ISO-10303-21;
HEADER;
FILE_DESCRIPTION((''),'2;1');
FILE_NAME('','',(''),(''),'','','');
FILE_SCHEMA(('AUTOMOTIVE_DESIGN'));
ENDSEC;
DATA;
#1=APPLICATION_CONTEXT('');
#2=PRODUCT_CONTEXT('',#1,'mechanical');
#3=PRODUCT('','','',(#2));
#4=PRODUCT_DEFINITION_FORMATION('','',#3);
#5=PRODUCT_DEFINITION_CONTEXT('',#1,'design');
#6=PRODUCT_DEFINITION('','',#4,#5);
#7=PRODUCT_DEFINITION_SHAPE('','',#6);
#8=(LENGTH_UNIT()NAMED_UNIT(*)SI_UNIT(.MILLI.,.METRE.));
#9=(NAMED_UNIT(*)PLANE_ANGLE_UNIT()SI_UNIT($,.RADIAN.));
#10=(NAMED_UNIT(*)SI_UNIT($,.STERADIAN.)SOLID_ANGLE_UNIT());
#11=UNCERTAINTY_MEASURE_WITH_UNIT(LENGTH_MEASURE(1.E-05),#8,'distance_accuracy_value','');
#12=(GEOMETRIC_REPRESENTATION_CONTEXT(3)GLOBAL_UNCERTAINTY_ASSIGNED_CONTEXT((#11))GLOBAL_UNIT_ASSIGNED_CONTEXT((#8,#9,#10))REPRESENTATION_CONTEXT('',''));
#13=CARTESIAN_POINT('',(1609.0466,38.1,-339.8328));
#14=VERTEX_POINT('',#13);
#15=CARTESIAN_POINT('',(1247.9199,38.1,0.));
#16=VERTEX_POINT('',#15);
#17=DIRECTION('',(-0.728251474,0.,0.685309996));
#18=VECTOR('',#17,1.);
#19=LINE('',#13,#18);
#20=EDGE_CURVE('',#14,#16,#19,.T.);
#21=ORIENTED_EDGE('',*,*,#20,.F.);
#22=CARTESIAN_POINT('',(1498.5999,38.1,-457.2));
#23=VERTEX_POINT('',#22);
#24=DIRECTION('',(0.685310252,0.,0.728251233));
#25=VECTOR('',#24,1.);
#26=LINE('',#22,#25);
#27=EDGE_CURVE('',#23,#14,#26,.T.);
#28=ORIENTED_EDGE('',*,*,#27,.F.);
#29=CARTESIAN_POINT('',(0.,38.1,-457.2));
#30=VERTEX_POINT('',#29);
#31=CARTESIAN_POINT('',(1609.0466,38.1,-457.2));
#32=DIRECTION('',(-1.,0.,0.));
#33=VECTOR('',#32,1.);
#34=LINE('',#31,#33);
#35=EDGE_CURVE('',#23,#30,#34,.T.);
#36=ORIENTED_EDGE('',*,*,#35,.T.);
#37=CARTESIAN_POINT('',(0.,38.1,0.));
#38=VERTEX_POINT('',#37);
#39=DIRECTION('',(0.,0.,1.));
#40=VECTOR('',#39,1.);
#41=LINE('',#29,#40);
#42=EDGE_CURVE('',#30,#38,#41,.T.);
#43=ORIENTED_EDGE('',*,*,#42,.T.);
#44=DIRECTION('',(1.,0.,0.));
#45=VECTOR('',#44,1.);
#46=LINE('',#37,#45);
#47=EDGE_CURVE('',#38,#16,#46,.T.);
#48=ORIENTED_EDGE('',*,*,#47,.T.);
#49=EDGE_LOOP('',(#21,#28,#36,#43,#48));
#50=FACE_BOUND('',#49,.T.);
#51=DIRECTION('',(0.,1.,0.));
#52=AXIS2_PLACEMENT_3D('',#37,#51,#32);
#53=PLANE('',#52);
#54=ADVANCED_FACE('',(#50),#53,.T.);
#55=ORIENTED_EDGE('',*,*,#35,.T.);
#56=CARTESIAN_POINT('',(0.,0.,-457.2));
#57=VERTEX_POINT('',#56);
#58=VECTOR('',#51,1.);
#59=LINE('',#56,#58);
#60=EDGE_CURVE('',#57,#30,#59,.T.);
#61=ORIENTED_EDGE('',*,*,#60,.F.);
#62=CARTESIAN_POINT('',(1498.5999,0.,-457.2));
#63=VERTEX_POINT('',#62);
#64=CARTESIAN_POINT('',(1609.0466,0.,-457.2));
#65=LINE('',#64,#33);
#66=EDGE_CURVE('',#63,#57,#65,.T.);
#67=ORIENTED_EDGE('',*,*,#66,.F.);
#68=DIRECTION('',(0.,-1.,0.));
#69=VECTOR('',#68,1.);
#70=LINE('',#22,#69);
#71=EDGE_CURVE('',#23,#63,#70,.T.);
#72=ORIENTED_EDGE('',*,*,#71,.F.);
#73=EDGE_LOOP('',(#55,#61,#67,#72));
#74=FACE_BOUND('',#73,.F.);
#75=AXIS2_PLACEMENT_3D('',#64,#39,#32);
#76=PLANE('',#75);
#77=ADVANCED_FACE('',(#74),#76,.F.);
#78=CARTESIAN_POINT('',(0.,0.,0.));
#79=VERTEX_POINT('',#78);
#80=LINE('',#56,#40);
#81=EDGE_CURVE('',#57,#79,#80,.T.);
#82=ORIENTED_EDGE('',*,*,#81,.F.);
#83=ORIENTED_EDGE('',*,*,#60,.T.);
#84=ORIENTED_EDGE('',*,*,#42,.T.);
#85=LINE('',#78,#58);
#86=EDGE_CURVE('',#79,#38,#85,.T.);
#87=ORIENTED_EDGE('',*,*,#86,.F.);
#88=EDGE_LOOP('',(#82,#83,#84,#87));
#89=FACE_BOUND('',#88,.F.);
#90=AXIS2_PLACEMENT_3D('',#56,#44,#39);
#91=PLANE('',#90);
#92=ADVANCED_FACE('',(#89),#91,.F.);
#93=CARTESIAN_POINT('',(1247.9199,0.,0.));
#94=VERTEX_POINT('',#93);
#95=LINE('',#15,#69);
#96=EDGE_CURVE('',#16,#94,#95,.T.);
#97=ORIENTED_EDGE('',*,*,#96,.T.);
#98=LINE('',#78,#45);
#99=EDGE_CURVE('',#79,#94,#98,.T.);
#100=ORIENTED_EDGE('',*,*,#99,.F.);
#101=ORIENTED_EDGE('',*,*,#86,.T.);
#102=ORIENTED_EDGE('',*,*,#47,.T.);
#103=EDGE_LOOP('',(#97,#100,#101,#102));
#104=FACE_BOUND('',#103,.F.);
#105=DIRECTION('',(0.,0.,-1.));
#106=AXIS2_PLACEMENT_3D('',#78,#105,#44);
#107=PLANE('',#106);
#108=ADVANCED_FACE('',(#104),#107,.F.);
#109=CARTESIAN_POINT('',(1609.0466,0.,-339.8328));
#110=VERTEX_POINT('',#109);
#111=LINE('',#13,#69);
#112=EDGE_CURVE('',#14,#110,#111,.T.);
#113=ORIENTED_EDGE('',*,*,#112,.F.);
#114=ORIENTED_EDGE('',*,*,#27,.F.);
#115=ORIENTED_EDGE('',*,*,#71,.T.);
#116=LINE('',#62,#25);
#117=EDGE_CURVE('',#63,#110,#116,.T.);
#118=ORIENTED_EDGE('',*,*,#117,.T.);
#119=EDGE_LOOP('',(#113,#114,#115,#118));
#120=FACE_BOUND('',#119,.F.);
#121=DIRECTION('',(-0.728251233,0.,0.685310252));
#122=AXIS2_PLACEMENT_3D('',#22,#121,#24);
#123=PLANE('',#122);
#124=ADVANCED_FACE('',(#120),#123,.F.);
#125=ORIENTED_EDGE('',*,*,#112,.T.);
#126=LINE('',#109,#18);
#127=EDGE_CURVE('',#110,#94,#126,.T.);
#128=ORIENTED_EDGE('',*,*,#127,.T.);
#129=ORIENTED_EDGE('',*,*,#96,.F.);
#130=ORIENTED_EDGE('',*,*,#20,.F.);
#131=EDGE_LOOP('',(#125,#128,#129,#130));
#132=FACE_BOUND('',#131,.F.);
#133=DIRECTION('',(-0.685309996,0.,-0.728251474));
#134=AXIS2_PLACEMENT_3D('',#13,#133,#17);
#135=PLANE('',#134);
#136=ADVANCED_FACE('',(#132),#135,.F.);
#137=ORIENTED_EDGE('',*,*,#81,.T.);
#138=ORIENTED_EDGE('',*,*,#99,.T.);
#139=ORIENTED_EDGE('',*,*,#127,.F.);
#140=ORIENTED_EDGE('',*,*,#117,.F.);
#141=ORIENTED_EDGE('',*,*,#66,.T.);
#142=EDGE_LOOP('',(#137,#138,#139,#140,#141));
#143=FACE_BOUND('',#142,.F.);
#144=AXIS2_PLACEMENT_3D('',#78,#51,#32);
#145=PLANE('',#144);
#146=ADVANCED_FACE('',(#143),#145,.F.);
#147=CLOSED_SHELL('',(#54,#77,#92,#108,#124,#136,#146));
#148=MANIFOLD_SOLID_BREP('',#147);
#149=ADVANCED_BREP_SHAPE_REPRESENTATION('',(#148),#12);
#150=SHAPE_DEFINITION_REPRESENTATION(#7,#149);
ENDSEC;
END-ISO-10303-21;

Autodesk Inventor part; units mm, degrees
ref_plane "YZ Plane" through (0, 0, 0) normal (1, 0, 0) x (0, 1, 0)
ref_plane "XZ Plane" through (0, 0, 0) normal (0, 1, 0) x (-1, 0, 0)
ref_plane "XY Plane" through (0, 0, 0) normal (0, 0, 1) x (1, 0, 0)
sketch "Sketch1" plane through (0, 0, 0) normal (0, 1, 0) x (-1, 0, 0)
  line L0 (0, 0) -> (-1609.0466, 0)
  line L1 (-1609.0466, 0) -> (-1609.0466, -457.2)
  line L2 (-1609.0466, -457.2) -> (0, -457.2)
  line L3 (0, -457.2) -> (0, 0)
  dimension "d6" = 457.2
  dimension "d10" = 1609.0466
extrude "Extrusion1" add sketch "Sketch1" along normal blind 38.1
sketch "Sketch3" plane through (0, 38.1, 0) normal (0, 1, 0) x (1, 0, 0)
  line L0 (1609.0466, 457.2) -> (0, 457.2) projected
  line L1 (1498.5999, 457.2) -> (1609.0466, 339.8328)
  line L2 (1609.0466, 0) -> (1609.0466, 457.2) projected
  line L3 (1609.0466, 339.8328) -> (1247.9199, 0)
  line L4 (0, 0) -> (1609.0466, 0) projected
  dimension "d16" = 133.26
  dimension "d17" = 161.163
extrude "Extrusion3" cut sketch "Sketch3" against normal up to surface (38.1 mm away)
properties part number "Quartz_Countertop--1.5_x_18_x_63.34829"
